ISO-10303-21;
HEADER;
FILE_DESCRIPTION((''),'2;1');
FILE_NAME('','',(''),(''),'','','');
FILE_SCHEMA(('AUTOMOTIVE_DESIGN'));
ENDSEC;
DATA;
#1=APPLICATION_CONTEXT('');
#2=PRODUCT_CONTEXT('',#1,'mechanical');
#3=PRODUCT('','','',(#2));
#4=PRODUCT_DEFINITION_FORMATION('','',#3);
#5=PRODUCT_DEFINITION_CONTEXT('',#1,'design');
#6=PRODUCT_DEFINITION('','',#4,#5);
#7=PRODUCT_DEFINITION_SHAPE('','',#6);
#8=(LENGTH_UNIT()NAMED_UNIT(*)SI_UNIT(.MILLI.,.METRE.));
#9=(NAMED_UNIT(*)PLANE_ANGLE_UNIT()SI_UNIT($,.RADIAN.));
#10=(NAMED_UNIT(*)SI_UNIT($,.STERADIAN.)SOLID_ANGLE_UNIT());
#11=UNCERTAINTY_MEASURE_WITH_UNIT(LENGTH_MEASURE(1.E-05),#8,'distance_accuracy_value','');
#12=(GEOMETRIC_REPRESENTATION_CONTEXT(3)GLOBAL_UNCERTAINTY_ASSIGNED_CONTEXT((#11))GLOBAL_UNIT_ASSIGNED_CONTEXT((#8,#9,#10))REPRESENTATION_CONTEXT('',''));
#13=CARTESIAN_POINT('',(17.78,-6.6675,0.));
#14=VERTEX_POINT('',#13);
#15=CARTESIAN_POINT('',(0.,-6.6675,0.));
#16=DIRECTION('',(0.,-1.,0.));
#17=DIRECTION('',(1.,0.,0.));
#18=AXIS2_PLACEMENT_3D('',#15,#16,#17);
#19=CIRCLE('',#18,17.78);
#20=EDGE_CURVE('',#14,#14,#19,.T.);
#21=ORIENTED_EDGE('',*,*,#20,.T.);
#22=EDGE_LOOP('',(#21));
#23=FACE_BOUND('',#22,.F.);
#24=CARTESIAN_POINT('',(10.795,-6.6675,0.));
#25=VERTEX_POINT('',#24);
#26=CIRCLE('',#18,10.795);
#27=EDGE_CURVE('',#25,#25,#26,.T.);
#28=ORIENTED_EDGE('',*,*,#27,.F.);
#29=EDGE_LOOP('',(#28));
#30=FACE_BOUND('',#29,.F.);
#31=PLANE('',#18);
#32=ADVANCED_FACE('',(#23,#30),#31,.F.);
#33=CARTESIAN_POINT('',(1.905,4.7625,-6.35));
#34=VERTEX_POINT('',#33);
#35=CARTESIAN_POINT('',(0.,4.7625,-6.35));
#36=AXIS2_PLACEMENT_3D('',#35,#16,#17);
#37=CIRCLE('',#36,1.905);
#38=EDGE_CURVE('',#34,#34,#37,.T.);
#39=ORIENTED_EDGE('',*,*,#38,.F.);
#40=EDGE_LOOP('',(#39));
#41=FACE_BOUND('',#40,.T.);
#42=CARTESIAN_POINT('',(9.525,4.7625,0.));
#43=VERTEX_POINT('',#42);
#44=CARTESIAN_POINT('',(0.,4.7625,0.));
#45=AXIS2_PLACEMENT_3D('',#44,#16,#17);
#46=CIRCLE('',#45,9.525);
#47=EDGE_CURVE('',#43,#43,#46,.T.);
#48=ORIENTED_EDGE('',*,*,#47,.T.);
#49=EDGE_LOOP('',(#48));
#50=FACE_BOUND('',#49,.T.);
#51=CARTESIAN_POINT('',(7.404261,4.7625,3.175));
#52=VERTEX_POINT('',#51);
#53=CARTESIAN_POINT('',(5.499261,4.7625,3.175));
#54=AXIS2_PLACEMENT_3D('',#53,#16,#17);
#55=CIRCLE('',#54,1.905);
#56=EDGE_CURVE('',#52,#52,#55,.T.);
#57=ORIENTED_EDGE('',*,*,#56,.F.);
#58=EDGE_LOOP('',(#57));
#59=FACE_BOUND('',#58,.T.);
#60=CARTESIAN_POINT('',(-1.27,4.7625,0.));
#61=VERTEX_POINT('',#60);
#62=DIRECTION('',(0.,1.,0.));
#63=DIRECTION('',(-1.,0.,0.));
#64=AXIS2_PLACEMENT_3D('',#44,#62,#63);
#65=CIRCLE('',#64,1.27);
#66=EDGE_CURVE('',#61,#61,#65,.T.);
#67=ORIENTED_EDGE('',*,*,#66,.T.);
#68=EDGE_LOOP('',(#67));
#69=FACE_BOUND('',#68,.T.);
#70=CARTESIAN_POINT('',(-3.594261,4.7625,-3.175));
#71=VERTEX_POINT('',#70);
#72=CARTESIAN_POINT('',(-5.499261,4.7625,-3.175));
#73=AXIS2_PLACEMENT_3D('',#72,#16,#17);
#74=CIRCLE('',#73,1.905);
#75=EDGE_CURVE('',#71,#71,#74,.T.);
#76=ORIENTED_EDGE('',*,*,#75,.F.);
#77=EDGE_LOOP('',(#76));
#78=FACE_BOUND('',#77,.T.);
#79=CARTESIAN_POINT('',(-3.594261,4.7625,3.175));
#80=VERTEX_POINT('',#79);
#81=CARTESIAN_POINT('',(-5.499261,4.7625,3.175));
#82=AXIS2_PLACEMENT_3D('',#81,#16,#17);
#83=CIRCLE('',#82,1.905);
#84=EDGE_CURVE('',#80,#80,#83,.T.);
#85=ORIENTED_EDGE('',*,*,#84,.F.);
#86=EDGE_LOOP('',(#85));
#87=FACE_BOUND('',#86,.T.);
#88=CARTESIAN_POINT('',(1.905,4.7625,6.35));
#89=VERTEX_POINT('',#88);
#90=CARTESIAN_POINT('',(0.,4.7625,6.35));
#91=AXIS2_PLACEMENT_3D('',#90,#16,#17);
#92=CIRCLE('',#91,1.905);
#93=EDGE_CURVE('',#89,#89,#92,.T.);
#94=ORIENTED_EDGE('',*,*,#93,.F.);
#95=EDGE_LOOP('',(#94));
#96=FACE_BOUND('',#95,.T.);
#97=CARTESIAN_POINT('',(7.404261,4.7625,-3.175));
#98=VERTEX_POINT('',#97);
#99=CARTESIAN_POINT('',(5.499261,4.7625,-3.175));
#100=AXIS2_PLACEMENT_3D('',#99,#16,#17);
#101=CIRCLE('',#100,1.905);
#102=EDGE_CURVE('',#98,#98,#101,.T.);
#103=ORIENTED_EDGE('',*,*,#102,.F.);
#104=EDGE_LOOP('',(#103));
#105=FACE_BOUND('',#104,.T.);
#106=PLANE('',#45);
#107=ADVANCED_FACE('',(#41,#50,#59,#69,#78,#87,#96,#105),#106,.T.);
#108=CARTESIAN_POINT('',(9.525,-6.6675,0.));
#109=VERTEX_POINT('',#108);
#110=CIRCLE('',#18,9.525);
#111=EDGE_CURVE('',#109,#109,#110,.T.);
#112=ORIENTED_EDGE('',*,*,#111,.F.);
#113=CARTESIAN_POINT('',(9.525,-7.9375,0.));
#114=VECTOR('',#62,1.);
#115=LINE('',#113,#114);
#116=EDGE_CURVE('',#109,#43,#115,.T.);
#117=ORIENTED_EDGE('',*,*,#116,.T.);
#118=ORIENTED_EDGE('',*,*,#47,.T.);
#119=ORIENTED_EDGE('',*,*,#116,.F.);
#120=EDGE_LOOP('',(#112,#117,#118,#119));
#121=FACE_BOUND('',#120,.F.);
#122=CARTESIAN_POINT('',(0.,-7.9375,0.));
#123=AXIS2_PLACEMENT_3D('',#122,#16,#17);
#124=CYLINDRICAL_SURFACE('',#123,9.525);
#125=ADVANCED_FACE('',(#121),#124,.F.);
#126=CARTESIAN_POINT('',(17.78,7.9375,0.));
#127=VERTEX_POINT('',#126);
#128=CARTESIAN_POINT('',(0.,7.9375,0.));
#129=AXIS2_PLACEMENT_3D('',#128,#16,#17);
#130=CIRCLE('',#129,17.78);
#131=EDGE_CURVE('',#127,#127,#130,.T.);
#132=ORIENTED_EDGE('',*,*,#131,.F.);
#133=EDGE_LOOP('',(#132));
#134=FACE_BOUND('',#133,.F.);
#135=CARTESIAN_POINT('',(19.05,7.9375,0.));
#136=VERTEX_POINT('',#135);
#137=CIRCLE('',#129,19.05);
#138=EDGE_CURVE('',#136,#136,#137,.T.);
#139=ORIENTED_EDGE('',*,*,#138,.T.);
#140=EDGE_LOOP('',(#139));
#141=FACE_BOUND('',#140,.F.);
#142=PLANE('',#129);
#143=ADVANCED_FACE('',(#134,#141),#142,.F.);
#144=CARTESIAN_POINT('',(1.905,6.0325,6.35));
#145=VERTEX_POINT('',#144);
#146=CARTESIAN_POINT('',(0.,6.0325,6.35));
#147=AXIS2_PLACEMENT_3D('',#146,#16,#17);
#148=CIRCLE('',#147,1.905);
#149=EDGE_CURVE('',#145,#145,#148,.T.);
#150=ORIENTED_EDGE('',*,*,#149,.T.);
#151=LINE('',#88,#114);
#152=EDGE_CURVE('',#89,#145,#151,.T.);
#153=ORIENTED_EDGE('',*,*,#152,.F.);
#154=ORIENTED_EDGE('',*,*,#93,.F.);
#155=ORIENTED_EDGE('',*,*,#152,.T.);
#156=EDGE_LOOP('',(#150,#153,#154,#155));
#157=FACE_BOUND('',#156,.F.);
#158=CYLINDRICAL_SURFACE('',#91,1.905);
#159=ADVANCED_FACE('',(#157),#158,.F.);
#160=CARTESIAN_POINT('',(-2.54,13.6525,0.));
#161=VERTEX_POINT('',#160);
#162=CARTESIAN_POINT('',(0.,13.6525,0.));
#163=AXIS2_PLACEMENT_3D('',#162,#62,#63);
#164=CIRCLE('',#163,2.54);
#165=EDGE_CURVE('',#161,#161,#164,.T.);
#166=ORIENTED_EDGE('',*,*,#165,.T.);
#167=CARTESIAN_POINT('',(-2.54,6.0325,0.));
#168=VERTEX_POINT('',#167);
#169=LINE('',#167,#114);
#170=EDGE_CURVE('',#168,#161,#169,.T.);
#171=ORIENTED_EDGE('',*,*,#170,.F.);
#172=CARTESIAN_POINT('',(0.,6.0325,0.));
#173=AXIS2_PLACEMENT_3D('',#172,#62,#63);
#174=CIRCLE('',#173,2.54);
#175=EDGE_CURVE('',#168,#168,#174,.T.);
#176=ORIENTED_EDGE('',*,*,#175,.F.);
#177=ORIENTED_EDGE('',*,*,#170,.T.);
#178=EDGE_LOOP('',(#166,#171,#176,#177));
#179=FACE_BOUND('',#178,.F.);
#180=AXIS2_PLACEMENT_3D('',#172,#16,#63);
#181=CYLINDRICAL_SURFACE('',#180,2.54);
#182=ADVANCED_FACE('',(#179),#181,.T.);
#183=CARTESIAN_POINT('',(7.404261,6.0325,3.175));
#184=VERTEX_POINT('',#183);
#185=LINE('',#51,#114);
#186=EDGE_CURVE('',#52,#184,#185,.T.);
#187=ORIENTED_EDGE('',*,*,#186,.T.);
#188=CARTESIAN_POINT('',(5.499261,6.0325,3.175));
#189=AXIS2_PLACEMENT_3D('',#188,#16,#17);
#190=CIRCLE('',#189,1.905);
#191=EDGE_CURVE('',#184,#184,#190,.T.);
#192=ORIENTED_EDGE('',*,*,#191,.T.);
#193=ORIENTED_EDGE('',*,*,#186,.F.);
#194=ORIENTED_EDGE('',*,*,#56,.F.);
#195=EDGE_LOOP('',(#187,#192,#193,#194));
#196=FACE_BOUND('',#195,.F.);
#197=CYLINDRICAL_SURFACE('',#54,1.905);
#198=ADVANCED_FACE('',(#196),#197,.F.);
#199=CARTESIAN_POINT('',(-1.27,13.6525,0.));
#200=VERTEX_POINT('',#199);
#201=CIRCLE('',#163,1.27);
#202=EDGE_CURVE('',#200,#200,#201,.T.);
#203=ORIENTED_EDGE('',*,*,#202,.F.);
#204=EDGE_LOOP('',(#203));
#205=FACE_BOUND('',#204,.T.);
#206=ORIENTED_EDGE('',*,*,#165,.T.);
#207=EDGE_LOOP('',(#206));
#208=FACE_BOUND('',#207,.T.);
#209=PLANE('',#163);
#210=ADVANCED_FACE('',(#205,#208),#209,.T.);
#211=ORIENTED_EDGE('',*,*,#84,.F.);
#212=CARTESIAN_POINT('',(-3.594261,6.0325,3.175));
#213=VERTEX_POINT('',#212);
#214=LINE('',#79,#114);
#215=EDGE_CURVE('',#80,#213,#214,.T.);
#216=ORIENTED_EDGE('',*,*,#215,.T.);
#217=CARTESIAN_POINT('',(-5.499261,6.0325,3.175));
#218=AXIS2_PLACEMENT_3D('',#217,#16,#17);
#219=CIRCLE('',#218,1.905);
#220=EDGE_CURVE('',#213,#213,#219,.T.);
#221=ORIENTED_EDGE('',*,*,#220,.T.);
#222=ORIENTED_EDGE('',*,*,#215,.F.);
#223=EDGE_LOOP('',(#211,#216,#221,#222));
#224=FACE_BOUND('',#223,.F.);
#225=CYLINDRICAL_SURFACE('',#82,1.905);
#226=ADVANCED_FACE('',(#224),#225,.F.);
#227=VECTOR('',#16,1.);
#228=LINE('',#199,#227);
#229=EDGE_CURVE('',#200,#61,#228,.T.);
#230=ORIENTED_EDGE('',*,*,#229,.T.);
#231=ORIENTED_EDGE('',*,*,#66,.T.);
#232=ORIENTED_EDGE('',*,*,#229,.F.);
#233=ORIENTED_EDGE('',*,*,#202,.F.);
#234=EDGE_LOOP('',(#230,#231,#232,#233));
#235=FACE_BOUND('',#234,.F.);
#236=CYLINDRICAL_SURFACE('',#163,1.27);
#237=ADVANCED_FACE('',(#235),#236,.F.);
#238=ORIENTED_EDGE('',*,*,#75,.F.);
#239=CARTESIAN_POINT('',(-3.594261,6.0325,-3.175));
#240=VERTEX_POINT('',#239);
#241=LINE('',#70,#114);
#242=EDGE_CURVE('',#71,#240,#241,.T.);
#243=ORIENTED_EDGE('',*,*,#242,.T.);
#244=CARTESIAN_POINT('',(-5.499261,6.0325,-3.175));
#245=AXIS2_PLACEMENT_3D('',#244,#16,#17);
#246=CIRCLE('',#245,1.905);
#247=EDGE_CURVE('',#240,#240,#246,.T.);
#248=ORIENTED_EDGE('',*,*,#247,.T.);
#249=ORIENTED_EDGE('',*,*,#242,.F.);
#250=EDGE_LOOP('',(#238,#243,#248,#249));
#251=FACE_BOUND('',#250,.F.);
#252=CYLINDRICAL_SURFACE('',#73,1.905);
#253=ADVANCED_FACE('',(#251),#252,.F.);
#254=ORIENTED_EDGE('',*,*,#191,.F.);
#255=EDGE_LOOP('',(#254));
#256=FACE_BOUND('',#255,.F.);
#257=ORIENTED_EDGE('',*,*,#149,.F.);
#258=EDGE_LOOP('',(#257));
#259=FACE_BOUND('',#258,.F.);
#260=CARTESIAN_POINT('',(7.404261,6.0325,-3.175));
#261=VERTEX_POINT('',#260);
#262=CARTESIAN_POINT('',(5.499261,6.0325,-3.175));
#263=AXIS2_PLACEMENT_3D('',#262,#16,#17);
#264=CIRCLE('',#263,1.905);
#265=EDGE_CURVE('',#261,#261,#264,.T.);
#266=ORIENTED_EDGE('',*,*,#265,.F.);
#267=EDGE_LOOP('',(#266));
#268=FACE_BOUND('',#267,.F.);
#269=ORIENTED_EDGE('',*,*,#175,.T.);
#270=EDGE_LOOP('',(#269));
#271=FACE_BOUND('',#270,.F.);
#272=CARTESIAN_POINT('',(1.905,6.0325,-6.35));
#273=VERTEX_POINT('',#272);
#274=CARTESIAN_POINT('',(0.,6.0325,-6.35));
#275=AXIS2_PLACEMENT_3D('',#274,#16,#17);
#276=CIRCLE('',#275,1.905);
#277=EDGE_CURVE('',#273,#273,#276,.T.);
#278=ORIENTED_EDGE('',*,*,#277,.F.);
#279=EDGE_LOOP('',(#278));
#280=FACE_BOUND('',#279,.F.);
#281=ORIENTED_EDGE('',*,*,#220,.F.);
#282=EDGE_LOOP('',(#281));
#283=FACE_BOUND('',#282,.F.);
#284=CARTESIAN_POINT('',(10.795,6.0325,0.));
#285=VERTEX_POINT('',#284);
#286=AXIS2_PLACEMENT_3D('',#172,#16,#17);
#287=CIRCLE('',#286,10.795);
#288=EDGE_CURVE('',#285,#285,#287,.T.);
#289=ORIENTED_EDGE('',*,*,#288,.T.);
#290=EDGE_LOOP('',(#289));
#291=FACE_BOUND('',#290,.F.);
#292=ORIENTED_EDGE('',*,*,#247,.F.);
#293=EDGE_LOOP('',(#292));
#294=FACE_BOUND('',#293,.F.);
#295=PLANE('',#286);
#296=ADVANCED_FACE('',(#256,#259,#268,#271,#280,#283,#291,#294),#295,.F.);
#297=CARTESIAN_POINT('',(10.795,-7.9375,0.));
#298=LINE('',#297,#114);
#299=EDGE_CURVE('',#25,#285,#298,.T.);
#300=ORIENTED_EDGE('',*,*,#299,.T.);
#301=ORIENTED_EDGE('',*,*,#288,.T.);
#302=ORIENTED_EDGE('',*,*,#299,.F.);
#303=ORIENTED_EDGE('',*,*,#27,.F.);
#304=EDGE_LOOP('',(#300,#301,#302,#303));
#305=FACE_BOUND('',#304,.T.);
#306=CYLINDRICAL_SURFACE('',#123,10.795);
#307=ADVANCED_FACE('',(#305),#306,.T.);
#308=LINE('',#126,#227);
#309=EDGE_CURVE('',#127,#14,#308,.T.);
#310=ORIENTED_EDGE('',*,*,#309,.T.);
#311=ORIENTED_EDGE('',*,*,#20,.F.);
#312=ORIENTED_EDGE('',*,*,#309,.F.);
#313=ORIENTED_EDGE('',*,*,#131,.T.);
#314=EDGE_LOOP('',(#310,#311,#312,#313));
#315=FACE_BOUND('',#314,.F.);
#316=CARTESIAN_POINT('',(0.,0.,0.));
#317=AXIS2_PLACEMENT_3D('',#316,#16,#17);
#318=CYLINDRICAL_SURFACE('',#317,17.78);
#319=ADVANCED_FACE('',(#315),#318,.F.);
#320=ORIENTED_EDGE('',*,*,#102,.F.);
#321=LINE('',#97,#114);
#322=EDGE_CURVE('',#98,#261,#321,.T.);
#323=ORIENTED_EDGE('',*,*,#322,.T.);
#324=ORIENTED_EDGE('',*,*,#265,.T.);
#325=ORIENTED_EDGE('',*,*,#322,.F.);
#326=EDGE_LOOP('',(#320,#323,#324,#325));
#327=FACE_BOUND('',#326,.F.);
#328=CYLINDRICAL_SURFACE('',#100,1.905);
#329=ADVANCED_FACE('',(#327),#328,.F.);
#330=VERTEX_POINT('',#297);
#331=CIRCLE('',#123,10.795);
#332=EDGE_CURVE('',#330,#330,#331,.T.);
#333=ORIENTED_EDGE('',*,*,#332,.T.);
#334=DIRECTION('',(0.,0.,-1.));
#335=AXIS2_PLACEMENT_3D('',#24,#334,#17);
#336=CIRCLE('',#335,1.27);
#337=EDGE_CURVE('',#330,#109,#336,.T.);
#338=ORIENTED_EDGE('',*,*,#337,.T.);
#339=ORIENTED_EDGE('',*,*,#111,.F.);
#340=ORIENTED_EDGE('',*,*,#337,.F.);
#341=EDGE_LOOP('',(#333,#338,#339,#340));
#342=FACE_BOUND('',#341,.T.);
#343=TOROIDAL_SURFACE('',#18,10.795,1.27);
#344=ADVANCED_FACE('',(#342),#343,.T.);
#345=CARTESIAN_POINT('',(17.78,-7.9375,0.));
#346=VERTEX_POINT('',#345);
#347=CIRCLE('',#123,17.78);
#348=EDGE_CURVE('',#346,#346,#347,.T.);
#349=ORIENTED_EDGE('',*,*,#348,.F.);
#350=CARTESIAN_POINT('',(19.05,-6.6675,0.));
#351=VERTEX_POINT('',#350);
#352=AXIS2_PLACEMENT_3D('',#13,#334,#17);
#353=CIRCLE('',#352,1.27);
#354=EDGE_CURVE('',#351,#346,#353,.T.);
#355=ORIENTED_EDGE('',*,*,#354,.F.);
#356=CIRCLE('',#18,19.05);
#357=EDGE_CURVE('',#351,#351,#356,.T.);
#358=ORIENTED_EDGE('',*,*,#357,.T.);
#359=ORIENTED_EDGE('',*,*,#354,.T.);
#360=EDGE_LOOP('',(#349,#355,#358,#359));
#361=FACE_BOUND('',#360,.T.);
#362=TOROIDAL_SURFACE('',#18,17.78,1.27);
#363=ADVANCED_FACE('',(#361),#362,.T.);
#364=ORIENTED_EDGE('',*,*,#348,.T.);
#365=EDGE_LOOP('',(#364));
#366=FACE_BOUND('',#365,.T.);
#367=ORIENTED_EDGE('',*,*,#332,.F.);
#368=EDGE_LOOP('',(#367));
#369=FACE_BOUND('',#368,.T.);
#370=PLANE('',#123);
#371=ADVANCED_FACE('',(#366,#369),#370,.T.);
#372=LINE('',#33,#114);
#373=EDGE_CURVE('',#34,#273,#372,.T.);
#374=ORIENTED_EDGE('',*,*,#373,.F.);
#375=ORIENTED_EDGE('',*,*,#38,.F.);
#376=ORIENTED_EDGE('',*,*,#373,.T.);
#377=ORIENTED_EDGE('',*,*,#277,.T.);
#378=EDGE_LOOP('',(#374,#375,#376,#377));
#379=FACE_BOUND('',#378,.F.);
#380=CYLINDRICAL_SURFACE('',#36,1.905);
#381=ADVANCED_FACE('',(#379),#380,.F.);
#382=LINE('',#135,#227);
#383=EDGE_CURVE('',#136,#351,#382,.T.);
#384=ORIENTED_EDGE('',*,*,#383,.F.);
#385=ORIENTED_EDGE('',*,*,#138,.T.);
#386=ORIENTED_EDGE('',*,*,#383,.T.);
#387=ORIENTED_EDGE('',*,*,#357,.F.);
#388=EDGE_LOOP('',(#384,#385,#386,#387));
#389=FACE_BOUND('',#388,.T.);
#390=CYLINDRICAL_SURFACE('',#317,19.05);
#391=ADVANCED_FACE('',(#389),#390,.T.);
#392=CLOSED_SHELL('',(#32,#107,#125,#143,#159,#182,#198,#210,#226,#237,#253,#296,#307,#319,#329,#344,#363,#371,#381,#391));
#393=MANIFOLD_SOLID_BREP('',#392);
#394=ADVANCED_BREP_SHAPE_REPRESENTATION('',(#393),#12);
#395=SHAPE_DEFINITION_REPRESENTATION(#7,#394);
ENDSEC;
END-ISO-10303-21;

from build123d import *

# Parameters (mm, degrees)
F0_R      = 19.05
F1_DEPTH  = 7.9375
F2_R      = 9.525
F3_DEPTH  = 12.7
F4_T      = -1.27
F5_R      = 1.905
F6_DEPTH  = 3.176
F7_R      = 2.54
F8_DEPTH  = 7.62
F9_R      = 1.27
F10_DEPTH = 21.591
F11_R     = 1.27


with BuildPart() as f1:
    # F0 (on Front) → F1 (new body, symmetric)
    with BuildSketch(Plane.XZ):
        Circle(F0_R)
    extrude(amount=F1_DEPTH, both=True)

    # F2 (on face) → F3 (cut)
    with BuildSketch(Plane.XZ.offset(7.9375)):
        Circle(F2_R)
    extrude(amount=-F3_DEPTH, mode=Mode.SUBTRACT)

    # F4
    f4_openings = [f1.faces().sort_by_distance(p)[0] for p in [
        (0, 7.9375, 0),
    ]]
    offset(amount=F4_T, openings=f4_openings, kind=Kind.INTERSECTION)

    # F5 (on face) → F6 (cut, through all)
    with BuildSketch(Plane.XZ.offset(-4.7625)):
        with Locations((0, 6.35)):
            Circle(F5_R)
        with Locations((-5.499261314, 3.175)):
            Circle(F5_R)
        with Locations((-5.499261314, -3.175)):
            Circle(F5_R)
        with Locations((0, -6.35)):
            Circle(F5_R)
        with Locations((5.499261314, -3.175)):
            Circle(F5_R)
        with Locations((5.499261314, 3.175)):
            Circle(F5_R)
    extrude(amount=-F6_DEPTH, mode=Mode.SUBTRACT)

    # F7 (on face) → F8 (join)
    with BuildSketch(Plane(origin=(0, 6.0325, 0), x_dir=(-1, 0, 0), z_dir=(0, 1, 0))):
        Circle(F7_R)
    extrude(amount=F8_DEPTH)

    # F9 (on face) → F10 (cut, through all)
    with BuildSketch(Plane(origin=(0, 13.6525, 0), x_dir=(-1, 0, 0), z_dir=(0, 1, 0))):
        Circle(F9_R)
    extrude(amount=-F10_DEPTH, mode=Mode.SUBTRACT)

    # F11
    f11_edges = [f1.edges().sort_by_distance(p)[0] for p in [
        (-19.05, -7.9375, 0),
        (-9.525, -7.9375, 0),
    ]]
    fillet(f11_edges, radius=F11_R)


solid = f1.part
